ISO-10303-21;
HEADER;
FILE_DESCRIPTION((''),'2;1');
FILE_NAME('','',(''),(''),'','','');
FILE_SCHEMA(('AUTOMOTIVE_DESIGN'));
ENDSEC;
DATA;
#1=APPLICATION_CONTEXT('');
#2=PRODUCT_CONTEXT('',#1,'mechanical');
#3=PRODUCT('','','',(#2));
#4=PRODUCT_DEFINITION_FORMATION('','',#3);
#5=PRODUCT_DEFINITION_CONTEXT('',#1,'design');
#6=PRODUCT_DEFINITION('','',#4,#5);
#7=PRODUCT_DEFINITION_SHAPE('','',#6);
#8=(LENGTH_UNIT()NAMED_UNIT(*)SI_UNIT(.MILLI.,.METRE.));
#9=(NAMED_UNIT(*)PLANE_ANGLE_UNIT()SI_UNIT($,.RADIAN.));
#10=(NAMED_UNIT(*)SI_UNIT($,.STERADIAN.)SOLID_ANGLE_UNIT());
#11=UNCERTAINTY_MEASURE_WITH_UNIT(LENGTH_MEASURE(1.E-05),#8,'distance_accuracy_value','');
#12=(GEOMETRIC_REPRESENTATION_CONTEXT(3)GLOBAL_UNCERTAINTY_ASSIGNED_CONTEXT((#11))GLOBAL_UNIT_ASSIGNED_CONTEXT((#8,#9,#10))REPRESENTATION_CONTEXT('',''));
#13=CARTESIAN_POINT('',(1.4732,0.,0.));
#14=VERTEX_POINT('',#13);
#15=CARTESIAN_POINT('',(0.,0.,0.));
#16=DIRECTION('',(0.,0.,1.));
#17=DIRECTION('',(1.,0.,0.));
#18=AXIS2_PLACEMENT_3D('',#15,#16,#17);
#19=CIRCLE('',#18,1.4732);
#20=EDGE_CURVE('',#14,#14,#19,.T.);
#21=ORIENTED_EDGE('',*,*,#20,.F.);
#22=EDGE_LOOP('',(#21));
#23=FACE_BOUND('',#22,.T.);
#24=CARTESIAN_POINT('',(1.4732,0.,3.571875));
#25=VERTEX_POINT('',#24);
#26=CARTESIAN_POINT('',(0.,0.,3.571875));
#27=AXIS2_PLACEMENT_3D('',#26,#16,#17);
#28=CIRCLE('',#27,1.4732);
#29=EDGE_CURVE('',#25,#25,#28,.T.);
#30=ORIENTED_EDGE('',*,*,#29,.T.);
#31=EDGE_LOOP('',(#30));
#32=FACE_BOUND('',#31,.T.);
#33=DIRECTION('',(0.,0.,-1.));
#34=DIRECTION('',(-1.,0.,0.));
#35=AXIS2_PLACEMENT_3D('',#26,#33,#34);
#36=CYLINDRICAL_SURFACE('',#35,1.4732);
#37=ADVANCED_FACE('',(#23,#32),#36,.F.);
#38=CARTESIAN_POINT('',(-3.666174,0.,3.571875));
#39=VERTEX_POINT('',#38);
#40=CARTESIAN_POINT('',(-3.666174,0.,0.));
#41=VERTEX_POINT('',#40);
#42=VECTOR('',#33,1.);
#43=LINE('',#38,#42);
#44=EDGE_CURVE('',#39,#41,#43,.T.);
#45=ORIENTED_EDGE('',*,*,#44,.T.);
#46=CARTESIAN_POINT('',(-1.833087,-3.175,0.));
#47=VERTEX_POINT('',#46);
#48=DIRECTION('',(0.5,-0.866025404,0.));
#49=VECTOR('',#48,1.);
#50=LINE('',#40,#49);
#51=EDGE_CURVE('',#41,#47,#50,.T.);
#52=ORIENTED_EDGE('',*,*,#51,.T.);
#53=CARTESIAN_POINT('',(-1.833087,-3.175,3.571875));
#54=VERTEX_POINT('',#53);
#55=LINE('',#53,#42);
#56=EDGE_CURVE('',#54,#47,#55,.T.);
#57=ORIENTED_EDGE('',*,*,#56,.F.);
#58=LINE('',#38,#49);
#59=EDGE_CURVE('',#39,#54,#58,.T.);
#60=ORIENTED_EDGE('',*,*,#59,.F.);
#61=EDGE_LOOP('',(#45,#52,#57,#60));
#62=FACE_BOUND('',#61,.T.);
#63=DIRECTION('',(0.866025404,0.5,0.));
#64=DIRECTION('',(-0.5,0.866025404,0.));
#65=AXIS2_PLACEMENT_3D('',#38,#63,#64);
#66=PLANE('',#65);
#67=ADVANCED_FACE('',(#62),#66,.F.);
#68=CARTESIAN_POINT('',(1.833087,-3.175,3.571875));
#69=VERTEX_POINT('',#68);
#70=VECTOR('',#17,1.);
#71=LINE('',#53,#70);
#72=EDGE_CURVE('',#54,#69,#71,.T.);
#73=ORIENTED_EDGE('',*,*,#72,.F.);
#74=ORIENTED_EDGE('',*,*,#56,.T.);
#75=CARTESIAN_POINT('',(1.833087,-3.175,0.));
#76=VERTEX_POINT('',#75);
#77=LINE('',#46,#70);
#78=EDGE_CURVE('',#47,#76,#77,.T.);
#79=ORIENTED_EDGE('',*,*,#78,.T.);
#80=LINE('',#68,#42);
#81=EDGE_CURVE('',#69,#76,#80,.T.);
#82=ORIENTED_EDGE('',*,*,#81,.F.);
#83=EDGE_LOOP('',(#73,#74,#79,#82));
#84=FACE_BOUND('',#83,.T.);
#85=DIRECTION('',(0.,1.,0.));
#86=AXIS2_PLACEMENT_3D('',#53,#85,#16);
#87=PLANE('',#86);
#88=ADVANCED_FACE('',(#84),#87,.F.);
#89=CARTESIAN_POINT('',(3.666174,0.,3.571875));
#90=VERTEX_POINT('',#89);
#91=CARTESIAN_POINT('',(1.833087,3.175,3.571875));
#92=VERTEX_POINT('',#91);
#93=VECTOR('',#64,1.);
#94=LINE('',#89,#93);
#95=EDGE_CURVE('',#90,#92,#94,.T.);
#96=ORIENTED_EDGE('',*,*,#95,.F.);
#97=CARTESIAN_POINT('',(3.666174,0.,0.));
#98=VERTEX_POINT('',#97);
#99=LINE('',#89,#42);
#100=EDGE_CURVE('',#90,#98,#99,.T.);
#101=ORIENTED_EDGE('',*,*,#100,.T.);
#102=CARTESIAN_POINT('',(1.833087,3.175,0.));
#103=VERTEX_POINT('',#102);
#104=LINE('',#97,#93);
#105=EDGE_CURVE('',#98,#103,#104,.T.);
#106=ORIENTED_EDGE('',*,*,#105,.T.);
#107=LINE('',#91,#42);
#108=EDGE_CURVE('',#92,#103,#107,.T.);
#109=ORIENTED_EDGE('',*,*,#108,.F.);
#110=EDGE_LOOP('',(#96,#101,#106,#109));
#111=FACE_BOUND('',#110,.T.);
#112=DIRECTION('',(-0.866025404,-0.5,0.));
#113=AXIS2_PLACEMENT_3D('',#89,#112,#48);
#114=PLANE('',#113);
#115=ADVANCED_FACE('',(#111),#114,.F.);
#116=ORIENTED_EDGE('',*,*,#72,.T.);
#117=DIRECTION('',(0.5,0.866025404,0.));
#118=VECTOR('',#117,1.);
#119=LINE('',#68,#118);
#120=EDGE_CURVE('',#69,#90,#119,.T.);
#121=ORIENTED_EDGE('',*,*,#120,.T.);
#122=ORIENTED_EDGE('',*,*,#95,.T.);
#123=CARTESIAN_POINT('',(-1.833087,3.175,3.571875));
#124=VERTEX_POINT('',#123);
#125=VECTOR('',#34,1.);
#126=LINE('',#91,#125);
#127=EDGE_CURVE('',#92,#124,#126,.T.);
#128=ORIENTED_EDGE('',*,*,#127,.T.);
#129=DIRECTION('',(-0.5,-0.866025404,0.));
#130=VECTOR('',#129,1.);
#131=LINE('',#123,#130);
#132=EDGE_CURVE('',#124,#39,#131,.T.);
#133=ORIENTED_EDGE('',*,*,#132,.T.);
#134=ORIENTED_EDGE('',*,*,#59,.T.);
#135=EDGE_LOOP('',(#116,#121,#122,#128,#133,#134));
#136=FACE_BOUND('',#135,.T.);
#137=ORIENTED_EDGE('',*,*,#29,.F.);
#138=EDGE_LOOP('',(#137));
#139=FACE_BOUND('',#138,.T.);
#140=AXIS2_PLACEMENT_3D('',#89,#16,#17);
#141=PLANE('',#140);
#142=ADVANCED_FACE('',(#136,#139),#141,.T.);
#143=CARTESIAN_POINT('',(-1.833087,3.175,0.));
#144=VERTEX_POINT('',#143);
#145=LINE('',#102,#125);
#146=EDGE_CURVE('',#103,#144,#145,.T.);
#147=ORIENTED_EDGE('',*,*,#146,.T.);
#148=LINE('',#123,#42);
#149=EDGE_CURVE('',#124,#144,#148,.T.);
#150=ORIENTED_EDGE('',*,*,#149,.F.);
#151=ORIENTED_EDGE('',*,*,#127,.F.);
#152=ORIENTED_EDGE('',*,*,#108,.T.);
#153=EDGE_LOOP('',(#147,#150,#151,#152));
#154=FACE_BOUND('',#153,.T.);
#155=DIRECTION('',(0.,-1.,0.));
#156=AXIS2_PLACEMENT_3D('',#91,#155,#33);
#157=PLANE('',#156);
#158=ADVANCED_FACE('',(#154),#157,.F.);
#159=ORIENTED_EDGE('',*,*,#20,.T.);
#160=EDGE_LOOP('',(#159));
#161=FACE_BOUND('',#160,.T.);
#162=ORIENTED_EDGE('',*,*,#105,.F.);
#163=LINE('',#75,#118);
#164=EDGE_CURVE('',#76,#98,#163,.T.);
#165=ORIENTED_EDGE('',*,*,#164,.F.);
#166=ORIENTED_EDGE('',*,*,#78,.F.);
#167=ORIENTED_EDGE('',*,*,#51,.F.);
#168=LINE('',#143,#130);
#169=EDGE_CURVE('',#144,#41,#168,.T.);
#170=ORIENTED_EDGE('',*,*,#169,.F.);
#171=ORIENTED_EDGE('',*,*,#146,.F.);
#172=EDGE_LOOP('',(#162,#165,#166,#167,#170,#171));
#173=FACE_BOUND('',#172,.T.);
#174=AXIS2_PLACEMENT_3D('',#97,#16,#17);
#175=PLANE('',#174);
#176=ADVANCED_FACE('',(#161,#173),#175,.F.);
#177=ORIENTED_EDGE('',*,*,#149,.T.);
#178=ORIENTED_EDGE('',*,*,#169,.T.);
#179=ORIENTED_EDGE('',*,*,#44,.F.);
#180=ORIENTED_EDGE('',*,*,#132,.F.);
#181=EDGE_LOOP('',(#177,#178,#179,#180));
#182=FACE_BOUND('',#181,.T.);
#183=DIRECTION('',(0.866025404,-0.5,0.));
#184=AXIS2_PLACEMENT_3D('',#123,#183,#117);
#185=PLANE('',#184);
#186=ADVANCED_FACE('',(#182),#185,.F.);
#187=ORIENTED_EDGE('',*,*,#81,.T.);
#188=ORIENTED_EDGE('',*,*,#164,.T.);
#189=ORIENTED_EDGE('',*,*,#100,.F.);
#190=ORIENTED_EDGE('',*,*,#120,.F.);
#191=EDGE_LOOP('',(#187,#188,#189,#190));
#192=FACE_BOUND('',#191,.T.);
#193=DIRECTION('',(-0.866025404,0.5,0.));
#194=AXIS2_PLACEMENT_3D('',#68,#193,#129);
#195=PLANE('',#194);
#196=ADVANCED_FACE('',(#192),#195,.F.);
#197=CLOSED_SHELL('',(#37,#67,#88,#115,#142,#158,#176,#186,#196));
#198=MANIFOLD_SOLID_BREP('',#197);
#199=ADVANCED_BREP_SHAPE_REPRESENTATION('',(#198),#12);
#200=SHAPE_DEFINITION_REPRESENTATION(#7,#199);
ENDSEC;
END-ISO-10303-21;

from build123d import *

# Parameters (mm, degrees)
SKETCH1_R      = 1.4732
EXTRUDE1_DEPTH = 3.571875


with BuildPart() as part:
    # Sketch1 → Extrude1 (new body)
    with BuildSketch(Plane.XY):
        Polygon((3.666174209, 0), (1.833087105, 3.175), (-1.833087105, 3.175), (-3.666174209, 0), (-1.833087105, -3.175), (1.833087105, -3.175), align=None)
        Circle(SKETCH1_R, mode=Mode.SUBTRACT)
    extrude(amount=EXTRUDE1_DEPTH)


solid = part.part
